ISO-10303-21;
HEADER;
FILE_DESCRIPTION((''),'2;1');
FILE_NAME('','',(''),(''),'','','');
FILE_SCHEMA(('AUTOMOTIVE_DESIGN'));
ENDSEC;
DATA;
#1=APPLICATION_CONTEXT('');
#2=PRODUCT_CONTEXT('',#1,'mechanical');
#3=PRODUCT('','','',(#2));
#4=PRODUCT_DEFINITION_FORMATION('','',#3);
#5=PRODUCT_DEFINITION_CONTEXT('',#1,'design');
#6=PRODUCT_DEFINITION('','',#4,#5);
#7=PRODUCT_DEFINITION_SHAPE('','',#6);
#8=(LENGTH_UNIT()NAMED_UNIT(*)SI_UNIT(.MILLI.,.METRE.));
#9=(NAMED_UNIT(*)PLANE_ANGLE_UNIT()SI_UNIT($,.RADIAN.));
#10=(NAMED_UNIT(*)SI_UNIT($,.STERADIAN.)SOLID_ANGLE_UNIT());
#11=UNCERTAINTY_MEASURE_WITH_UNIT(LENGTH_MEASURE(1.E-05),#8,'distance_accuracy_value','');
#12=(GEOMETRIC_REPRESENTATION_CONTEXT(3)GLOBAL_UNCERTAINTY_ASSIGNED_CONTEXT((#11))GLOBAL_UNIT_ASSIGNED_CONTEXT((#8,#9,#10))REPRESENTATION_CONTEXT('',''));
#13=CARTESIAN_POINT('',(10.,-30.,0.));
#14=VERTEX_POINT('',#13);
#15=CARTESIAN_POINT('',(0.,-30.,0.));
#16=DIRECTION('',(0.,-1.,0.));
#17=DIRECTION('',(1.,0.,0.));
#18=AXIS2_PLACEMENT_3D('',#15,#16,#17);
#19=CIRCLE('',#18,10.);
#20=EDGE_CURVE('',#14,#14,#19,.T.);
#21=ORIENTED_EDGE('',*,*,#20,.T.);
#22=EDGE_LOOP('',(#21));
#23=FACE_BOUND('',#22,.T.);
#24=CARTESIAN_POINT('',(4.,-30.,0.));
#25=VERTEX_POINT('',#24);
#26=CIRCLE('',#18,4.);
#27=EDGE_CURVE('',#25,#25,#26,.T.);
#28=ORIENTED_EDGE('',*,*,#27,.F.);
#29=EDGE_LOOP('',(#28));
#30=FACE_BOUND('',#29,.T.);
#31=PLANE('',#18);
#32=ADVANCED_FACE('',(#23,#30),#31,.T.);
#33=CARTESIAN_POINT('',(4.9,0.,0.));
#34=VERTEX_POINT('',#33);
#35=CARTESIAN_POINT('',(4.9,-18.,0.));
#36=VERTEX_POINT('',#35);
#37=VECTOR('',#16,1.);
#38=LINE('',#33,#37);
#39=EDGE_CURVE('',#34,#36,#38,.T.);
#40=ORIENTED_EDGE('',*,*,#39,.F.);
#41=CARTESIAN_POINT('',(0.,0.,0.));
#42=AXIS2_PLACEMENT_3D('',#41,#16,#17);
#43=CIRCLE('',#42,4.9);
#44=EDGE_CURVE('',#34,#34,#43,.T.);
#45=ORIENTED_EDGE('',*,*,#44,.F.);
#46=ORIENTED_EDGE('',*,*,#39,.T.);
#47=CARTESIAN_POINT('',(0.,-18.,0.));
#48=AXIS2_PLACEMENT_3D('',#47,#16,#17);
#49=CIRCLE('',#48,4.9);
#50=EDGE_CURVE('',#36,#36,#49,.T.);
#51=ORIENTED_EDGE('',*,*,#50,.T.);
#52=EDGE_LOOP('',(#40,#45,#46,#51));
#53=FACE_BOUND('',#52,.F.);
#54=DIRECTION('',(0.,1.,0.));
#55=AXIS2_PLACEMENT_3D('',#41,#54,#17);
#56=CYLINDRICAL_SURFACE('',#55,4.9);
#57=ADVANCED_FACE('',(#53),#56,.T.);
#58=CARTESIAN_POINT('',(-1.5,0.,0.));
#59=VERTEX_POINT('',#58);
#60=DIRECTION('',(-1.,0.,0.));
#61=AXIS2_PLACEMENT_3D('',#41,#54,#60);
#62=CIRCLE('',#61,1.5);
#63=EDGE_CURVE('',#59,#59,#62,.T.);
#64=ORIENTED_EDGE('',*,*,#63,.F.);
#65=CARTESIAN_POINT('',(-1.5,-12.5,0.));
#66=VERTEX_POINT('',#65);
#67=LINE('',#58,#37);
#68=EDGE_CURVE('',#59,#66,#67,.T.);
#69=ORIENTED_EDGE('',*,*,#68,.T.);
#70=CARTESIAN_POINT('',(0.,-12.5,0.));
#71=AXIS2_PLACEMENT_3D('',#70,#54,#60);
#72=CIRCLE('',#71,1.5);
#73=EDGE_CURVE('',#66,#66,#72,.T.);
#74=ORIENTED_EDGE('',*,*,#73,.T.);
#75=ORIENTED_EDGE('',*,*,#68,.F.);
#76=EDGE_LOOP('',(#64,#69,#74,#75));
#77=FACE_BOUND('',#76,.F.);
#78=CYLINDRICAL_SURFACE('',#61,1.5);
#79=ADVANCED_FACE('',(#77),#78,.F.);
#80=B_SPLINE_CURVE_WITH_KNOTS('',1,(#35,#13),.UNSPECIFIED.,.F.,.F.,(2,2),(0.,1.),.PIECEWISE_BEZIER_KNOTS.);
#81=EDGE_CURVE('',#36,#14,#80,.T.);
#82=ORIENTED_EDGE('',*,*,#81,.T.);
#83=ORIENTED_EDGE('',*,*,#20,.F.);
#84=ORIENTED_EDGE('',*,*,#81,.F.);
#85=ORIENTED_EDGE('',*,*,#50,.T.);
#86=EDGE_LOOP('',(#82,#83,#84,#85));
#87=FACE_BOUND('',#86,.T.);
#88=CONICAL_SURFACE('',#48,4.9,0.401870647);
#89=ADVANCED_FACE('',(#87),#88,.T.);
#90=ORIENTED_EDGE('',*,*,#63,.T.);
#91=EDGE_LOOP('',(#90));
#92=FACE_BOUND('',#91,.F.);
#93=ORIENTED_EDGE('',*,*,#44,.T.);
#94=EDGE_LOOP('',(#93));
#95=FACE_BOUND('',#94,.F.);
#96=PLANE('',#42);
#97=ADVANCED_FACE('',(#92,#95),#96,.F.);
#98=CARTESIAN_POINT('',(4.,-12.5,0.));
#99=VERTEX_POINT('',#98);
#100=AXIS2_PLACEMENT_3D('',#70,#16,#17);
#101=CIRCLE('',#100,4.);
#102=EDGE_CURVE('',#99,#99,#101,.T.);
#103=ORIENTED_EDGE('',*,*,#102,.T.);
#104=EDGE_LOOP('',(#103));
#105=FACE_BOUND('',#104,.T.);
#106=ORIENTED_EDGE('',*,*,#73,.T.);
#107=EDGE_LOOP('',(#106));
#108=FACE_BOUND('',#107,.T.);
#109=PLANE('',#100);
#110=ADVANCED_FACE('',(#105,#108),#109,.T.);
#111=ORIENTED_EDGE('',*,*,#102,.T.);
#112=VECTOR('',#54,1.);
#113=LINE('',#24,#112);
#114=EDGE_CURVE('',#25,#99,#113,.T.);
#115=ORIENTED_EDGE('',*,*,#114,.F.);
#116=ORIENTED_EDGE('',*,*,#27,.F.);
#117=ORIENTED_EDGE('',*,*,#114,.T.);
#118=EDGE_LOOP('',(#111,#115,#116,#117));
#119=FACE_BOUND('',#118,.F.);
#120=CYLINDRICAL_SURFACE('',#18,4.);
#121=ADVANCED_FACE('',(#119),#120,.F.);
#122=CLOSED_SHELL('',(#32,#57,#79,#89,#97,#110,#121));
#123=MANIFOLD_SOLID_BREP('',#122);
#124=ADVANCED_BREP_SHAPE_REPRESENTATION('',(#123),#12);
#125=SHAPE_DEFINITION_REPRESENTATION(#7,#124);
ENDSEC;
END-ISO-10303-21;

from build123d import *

# Parameters (mm, degrees)
F0_R      = 4.9
F1_DEPTH  = 18
F1_FACE_R = 4.9
F3_R      = 10
F5_R      = 1.5
F6_DEPTH  = 15
F7_R      = 4
F8_DEPTH  = 17.5


with BuildPart() as f1:
    # F0 (on Front) → F1 (new body)
    with BuildSketch(Plane.XZ):
        Circle(F0_R)
    extrude(amount=F1_DEPTH)

    # F1_face (on face) → F4 section 0
    with BuildSketch(Plane.XZ.offset(18)):
        Circle(F1_FACE_R)
    # F3 (on offset) → F4 section 1
    with BuildSketch(Plane.XZ.offset(30)):
        Circle(F3_R)
    loft()

    # F5 (on face) → F6 (cut)
    with BuildSketch(Plane(origin=(0, 0, 0), x_dir=(-1, 0, 0), z_dir=(0, 1, 0))):
        Circle(F5_R)
    extrude(amount=-F6_DEPTH, mode=Mode.SUBTRACT)

    # F7 (on face) → F8 (cut)
    with BuildSketch(Plane.XZ.offset(30)):
        Circle(F7_R)
    extrude(amount=-F8_DEPTH, mode=Mode.SUBTRACT)


solid = f1.part
